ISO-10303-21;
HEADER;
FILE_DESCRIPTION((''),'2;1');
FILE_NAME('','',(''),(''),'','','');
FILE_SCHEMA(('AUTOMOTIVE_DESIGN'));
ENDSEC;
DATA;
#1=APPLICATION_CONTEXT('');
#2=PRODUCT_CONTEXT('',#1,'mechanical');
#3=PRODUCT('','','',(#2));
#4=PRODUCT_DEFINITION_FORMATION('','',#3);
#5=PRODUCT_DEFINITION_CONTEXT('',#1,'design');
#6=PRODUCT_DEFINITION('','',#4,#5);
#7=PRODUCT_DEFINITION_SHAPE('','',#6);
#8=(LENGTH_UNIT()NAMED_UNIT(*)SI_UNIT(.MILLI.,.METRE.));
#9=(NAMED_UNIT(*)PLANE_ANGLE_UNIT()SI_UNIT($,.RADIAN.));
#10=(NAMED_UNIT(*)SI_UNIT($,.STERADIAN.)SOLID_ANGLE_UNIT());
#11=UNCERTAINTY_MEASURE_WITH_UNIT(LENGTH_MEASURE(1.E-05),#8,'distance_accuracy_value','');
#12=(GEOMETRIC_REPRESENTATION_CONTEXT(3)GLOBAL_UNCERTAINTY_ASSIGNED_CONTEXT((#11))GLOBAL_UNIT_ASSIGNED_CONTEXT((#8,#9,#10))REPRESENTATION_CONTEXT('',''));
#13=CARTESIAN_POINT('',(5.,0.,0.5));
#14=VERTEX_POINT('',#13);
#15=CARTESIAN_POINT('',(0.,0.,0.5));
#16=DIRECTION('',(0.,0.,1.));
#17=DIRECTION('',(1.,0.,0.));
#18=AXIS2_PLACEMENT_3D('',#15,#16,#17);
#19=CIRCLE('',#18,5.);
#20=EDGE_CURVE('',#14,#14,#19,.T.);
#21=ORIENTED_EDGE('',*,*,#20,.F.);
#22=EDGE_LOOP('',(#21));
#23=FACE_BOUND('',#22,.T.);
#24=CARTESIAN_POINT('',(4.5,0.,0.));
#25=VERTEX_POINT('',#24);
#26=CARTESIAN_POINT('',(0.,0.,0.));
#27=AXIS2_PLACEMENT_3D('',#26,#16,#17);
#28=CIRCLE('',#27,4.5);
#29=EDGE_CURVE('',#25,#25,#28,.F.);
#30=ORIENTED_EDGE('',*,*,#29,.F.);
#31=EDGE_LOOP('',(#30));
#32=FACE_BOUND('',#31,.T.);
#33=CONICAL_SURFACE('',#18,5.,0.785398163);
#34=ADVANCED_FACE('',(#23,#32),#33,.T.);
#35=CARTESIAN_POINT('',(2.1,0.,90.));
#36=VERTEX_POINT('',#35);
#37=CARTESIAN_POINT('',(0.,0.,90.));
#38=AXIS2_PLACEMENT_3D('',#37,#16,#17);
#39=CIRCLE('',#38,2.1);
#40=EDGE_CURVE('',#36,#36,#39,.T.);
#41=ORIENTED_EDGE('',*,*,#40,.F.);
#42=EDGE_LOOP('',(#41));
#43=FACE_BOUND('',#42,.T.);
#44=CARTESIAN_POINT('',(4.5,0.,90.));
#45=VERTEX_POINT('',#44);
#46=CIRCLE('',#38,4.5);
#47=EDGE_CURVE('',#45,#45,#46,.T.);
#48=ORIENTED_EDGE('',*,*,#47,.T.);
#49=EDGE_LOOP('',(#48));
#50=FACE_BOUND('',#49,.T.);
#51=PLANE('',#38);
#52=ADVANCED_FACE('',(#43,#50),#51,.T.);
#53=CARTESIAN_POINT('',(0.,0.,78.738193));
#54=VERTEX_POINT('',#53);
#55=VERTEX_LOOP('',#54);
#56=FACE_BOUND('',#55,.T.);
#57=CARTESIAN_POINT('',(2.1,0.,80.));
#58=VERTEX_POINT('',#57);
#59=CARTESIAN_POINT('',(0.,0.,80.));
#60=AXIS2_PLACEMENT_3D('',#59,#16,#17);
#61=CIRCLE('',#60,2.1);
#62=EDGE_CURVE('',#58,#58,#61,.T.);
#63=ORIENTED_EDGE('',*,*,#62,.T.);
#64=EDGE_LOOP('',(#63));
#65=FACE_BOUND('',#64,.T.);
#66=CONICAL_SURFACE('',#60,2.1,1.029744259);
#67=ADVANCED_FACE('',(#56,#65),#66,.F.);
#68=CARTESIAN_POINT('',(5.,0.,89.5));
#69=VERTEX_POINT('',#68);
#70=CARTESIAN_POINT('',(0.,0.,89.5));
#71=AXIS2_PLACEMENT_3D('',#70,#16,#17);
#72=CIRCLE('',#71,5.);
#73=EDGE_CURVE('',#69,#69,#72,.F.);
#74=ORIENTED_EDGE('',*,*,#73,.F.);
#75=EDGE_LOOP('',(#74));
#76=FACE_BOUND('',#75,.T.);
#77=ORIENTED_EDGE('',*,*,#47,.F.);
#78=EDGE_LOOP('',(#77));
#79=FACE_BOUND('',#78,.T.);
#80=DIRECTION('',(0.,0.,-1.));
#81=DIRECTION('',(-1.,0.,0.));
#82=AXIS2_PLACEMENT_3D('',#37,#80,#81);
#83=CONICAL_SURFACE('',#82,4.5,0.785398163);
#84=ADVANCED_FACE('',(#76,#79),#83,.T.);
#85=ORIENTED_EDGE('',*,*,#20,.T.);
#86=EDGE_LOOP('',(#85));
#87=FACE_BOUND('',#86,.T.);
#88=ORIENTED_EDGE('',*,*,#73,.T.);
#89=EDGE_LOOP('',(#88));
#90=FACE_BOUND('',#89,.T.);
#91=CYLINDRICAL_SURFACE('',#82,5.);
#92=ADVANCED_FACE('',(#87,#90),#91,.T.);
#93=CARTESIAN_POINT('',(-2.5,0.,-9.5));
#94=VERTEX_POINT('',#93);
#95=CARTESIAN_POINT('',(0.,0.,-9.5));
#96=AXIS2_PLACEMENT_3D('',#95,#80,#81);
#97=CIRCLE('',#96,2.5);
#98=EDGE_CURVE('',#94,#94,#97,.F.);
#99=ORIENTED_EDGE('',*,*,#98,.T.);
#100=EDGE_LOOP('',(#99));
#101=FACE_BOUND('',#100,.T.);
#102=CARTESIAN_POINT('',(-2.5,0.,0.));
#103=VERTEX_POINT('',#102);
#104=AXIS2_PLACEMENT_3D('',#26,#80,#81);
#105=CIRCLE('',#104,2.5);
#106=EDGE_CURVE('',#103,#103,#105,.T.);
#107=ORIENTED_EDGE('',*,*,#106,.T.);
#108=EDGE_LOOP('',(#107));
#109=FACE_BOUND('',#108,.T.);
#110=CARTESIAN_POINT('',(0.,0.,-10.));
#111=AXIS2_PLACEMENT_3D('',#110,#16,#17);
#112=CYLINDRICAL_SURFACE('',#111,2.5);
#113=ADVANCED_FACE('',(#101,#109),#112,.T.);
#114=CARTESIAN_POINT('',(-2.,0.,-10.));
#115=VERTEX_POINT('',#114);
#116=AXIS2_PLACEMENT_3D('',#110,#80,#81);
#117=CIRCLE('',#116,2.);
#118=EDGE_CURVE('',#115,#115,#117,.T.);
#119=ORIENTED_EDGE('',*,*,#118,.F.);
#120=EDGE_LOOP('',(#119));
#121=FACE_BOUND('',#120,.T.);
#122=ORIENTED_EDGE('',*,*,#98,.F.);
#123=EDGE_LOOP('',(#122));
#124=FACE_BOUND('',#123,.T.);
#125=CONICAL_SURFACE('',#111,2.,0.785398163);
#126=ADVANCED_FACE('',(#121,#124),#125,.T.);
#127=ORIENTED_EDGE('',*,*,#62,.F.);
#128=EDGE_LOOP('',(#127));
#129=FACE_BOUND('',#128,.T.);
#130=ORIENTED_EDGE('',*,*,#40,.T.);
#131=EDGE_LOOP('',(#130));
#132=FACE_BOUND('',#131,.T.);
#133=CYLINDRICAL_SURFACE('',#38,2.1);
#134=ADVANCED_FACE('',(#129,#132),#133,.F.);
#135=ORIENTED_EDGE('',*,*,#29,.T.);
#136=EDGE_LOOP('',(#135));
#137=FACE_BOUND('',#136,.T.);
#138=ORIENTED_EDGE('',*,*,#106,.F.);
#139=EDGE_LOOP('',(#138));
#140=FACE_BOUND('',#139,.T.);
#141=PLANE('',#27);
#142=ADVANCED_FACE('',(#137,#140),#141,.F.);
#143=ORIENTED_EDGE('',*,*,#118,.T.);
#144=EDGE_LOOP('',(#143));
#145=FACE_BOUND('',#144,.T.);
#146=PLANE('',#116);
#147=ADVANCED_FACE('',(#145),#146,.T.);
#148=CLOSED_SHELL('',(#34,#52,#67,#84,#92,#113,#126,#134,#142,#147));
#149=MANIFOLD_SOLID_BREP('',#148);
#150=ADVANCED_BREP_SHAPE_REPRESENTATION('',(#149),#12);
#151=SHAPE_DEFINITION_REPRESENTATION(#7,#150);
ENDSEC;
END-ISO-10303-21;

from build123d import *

# Parameters (mm, degrees)
ESQUISSE1_R                                   = 5
BOSS_EXTRU_1_DEPTH                            = 90
ESQUISSE2_R                                   = 2.5
BOSS_EXTRU_2_DEPTH                            = 10
TROU_POUR_TARAUDAGE_POUR_TROU_TARAUD_M5_D     = 4.2
TROU_POUR_TARAUDAGE_POUR_TROU_TARAUD_M5_DEPTH = 10
TROU_POUR_TARAUDAGE_POUR_TROU_TARAUD_M5_TIP   = 1.2618073
CHANFREIN1_SIZE                               = 0.5


with BuildPart() as part:
    # Esquisse1 → Boss.-Extru.1 (new body)
    with BuildSketch(Plane.XY):
        Circle(ESQUISSE1_R)
    extrude(amount=BOSS_EXTRU_1_DEPTH)

    # Esquisse2 → Boss.-Extru.2 (add)
    with BuildSketch(Plane(origin=(0, 0, 0), x_dir=(-1, 0, 0), z_dir=(0, 0, -1))):
        Circle(ESQUISSE2_R)
    extrude(amount=BOSS_EXTRU_2_DEPTH)

    # Trou pour taraudage pour trou taraudé M51
    with Locations(Plane.XY.offset(90)):
        with Locations((0, 0)):
            Hole(TROU_POUR_TARAUDAGE_POUR_TROU_TARAUD_M5_D / 2, depth=TROU_POUR_TARAUDAGE_POUR_TROU_TARAUD_M5_DEPTH)
            with Locations((0, 0, -(TROU_POUR_TARAUDAGE_POUR_TROU_TARAUD_M5_DEPTH + TROU_POUR_TARAUDAGE_POUR_TROU_TARAUD_M5_TIP / 2))):  # 118° drill point
                Cone(0, TROU_POUR_TARAUDAGE_POUR_TROU_TARAUD_M5_D / 2, TROU_POUR_TARAUDAGE_POUR_TROU_TARAUD_M5_TIP, mode=Mode.SUBTRACT)

    # Chanfrein1
    chanfrein1_edges = [part.edges().sort_by_distance(p)[0] for p in [
        (-5, 0, 0),
        (-5, 0, 90),
        (2.5, 0, -10),
    ]]
    chamfer(chanfrein1_edges, length=CHANFREIN1_SIZE)


solid = part.part
